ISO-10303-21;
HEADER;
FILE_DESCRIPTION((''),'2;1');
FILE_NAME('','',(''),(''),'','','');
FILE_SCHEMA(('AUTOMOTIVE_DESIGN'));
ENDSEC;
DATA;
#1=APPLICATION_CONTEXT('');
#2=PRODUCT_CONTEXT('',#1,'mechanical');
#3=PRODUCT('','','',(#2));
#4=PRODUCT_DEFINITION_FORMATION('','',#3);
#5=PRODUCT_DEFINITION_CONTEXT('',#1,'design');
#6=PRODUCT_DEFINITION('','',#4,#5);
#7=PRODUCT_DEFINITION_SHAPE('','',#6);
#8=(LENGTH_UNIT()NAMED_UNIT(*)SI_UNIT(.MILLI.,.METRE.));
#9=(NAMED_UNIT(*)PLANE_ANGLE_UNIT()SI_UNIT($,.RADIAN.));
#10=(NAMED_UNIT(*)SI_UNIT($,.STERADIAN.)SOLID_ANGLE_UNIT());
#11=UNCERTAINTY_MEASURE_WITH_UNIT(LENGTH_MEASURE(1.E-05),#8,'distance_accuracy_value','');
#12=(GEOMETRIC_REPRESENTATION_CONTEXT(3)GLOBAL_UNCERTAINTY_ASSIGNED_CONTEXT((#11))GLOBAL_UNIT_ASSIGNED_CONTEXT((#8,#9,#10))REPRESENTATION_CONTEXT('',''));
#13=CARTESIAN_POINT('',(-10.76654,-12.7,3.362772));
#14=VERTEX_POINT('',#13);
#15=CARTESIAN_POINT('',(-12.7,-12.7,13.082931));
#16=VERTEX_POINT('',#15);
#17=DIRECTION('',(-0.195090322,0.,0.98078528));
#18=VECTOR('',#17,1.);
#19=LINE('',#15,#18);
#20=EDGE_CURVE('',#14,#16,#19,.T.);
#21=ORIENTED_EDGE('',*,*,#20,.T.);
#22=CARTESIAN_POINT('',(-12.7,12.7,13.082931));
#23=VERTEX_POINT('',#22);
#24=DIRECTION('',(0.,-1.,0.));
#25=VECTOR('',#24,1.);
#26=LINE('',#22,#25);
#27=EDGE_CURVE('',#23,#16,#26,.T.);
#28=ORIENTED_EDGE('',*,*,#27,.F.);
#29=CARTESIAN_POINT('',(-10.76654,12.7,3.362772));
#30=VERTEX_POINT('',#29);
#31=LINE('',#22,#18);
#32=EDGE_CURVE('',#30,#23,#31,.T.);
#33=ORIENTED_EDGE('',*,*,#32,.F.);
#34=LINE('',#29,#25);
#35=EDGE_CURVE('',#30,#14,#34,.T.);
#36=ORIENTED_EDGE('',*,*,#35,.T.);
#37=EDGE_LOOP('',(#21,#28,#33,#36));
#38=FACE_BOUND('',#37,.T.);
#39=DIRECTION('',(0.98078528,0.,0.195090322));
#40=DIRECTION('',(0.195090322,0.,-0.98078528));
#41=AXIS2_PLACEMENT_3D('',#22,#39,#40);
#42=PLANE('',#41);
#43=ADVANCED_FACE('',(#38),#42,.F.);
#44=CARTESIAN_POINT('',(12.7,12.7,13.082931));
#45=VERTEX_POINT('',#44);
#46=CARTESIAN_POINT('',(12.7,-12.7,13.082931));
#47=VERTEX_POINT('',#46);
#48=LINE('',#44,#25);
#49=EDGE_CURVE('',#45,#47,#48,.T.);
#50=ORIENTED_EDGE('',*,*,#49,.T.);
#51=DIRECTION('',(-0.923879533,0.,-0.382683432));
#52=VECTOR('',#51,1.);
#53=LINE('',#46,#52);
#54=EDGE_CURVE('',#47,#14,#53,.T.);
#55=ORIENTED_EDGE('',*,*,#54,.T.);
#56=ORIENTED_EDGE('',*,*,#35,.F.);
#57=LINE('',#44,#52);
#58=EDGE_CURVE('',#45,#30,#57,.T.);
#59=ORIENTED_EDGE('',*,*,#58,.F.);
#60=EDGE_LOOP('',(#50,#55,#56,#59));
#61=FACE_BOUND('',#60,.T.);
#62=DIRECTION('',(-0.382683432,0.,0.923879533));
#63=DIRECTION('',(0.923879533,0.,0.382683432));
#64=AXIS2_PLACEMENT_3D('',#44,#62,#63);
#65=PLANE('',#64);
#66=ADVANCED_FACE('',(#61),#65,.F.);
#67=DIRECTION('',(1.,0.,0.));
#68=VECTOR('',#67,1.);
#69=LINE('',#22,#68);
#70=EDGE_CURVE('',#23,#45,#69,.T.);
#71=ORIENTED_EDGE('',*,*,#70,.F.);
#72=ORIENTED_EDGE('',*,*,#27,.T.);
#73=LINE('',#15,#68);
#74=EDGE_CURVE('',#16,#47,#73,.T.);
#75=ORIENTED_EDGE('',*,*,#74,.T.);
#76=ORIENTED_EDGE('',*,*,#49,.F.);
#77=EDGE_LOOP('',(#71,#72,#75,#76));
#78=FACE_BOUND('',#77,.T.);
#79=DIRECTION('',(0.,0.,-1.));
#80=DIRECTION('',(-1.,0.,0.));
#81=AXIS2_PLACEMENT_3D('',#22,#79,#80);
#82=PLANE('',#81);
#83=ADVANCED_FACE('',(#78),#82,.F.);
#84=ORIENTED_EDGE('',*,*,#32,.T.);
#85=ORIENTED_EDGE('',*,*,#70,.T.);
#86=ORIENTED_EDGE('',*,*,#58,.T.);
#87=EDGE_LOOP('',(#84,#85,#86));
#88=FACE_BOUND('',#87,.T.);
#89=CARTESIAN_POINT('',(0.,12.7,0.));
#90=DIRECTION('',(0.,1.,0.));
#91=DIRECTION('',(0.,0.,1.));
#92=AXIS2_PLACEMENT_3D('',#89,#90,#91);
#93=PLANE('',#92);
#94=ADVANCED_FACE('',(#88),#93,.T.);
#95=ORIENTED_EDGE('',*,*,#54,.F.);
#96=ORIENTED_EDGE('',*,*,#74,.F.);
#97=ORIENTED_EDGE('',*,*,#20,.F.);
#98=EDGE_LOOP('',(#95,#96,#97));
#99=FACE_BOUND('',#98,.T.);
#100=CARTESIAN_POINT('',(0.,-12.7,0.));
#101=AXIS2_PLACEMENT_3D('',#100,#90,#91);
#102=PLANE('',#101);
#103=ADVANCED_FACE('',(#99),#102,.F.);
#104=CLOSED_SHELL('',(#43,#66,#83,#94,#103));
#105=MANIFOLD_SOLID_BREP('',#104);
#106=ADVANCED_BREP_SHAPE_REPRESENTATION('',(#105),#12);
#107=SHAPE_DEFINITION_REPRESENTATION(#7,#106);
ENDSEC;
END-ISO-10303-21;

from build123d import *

# Parameters (mm, degrees)
BOSS_EXTRUDE1_DEPTH = 12.7


with BuildPart() as part:
    # Sketch1 → Boss-Extrude1 (new, symmetric)
    with BuildSketch(Plane(origin=(0, 0, 0), x_dir=(1, 0, 0), z_dir=(0, 1, 0))):
        Polygon((12.7, -13.082931372), (-10.766540126, -3.36277219), (-12.7, -13.082931372), align=None)
    extrude(amount=BOSS_EXTRUDE1_DEPTH, both=True)


solid = part.part
